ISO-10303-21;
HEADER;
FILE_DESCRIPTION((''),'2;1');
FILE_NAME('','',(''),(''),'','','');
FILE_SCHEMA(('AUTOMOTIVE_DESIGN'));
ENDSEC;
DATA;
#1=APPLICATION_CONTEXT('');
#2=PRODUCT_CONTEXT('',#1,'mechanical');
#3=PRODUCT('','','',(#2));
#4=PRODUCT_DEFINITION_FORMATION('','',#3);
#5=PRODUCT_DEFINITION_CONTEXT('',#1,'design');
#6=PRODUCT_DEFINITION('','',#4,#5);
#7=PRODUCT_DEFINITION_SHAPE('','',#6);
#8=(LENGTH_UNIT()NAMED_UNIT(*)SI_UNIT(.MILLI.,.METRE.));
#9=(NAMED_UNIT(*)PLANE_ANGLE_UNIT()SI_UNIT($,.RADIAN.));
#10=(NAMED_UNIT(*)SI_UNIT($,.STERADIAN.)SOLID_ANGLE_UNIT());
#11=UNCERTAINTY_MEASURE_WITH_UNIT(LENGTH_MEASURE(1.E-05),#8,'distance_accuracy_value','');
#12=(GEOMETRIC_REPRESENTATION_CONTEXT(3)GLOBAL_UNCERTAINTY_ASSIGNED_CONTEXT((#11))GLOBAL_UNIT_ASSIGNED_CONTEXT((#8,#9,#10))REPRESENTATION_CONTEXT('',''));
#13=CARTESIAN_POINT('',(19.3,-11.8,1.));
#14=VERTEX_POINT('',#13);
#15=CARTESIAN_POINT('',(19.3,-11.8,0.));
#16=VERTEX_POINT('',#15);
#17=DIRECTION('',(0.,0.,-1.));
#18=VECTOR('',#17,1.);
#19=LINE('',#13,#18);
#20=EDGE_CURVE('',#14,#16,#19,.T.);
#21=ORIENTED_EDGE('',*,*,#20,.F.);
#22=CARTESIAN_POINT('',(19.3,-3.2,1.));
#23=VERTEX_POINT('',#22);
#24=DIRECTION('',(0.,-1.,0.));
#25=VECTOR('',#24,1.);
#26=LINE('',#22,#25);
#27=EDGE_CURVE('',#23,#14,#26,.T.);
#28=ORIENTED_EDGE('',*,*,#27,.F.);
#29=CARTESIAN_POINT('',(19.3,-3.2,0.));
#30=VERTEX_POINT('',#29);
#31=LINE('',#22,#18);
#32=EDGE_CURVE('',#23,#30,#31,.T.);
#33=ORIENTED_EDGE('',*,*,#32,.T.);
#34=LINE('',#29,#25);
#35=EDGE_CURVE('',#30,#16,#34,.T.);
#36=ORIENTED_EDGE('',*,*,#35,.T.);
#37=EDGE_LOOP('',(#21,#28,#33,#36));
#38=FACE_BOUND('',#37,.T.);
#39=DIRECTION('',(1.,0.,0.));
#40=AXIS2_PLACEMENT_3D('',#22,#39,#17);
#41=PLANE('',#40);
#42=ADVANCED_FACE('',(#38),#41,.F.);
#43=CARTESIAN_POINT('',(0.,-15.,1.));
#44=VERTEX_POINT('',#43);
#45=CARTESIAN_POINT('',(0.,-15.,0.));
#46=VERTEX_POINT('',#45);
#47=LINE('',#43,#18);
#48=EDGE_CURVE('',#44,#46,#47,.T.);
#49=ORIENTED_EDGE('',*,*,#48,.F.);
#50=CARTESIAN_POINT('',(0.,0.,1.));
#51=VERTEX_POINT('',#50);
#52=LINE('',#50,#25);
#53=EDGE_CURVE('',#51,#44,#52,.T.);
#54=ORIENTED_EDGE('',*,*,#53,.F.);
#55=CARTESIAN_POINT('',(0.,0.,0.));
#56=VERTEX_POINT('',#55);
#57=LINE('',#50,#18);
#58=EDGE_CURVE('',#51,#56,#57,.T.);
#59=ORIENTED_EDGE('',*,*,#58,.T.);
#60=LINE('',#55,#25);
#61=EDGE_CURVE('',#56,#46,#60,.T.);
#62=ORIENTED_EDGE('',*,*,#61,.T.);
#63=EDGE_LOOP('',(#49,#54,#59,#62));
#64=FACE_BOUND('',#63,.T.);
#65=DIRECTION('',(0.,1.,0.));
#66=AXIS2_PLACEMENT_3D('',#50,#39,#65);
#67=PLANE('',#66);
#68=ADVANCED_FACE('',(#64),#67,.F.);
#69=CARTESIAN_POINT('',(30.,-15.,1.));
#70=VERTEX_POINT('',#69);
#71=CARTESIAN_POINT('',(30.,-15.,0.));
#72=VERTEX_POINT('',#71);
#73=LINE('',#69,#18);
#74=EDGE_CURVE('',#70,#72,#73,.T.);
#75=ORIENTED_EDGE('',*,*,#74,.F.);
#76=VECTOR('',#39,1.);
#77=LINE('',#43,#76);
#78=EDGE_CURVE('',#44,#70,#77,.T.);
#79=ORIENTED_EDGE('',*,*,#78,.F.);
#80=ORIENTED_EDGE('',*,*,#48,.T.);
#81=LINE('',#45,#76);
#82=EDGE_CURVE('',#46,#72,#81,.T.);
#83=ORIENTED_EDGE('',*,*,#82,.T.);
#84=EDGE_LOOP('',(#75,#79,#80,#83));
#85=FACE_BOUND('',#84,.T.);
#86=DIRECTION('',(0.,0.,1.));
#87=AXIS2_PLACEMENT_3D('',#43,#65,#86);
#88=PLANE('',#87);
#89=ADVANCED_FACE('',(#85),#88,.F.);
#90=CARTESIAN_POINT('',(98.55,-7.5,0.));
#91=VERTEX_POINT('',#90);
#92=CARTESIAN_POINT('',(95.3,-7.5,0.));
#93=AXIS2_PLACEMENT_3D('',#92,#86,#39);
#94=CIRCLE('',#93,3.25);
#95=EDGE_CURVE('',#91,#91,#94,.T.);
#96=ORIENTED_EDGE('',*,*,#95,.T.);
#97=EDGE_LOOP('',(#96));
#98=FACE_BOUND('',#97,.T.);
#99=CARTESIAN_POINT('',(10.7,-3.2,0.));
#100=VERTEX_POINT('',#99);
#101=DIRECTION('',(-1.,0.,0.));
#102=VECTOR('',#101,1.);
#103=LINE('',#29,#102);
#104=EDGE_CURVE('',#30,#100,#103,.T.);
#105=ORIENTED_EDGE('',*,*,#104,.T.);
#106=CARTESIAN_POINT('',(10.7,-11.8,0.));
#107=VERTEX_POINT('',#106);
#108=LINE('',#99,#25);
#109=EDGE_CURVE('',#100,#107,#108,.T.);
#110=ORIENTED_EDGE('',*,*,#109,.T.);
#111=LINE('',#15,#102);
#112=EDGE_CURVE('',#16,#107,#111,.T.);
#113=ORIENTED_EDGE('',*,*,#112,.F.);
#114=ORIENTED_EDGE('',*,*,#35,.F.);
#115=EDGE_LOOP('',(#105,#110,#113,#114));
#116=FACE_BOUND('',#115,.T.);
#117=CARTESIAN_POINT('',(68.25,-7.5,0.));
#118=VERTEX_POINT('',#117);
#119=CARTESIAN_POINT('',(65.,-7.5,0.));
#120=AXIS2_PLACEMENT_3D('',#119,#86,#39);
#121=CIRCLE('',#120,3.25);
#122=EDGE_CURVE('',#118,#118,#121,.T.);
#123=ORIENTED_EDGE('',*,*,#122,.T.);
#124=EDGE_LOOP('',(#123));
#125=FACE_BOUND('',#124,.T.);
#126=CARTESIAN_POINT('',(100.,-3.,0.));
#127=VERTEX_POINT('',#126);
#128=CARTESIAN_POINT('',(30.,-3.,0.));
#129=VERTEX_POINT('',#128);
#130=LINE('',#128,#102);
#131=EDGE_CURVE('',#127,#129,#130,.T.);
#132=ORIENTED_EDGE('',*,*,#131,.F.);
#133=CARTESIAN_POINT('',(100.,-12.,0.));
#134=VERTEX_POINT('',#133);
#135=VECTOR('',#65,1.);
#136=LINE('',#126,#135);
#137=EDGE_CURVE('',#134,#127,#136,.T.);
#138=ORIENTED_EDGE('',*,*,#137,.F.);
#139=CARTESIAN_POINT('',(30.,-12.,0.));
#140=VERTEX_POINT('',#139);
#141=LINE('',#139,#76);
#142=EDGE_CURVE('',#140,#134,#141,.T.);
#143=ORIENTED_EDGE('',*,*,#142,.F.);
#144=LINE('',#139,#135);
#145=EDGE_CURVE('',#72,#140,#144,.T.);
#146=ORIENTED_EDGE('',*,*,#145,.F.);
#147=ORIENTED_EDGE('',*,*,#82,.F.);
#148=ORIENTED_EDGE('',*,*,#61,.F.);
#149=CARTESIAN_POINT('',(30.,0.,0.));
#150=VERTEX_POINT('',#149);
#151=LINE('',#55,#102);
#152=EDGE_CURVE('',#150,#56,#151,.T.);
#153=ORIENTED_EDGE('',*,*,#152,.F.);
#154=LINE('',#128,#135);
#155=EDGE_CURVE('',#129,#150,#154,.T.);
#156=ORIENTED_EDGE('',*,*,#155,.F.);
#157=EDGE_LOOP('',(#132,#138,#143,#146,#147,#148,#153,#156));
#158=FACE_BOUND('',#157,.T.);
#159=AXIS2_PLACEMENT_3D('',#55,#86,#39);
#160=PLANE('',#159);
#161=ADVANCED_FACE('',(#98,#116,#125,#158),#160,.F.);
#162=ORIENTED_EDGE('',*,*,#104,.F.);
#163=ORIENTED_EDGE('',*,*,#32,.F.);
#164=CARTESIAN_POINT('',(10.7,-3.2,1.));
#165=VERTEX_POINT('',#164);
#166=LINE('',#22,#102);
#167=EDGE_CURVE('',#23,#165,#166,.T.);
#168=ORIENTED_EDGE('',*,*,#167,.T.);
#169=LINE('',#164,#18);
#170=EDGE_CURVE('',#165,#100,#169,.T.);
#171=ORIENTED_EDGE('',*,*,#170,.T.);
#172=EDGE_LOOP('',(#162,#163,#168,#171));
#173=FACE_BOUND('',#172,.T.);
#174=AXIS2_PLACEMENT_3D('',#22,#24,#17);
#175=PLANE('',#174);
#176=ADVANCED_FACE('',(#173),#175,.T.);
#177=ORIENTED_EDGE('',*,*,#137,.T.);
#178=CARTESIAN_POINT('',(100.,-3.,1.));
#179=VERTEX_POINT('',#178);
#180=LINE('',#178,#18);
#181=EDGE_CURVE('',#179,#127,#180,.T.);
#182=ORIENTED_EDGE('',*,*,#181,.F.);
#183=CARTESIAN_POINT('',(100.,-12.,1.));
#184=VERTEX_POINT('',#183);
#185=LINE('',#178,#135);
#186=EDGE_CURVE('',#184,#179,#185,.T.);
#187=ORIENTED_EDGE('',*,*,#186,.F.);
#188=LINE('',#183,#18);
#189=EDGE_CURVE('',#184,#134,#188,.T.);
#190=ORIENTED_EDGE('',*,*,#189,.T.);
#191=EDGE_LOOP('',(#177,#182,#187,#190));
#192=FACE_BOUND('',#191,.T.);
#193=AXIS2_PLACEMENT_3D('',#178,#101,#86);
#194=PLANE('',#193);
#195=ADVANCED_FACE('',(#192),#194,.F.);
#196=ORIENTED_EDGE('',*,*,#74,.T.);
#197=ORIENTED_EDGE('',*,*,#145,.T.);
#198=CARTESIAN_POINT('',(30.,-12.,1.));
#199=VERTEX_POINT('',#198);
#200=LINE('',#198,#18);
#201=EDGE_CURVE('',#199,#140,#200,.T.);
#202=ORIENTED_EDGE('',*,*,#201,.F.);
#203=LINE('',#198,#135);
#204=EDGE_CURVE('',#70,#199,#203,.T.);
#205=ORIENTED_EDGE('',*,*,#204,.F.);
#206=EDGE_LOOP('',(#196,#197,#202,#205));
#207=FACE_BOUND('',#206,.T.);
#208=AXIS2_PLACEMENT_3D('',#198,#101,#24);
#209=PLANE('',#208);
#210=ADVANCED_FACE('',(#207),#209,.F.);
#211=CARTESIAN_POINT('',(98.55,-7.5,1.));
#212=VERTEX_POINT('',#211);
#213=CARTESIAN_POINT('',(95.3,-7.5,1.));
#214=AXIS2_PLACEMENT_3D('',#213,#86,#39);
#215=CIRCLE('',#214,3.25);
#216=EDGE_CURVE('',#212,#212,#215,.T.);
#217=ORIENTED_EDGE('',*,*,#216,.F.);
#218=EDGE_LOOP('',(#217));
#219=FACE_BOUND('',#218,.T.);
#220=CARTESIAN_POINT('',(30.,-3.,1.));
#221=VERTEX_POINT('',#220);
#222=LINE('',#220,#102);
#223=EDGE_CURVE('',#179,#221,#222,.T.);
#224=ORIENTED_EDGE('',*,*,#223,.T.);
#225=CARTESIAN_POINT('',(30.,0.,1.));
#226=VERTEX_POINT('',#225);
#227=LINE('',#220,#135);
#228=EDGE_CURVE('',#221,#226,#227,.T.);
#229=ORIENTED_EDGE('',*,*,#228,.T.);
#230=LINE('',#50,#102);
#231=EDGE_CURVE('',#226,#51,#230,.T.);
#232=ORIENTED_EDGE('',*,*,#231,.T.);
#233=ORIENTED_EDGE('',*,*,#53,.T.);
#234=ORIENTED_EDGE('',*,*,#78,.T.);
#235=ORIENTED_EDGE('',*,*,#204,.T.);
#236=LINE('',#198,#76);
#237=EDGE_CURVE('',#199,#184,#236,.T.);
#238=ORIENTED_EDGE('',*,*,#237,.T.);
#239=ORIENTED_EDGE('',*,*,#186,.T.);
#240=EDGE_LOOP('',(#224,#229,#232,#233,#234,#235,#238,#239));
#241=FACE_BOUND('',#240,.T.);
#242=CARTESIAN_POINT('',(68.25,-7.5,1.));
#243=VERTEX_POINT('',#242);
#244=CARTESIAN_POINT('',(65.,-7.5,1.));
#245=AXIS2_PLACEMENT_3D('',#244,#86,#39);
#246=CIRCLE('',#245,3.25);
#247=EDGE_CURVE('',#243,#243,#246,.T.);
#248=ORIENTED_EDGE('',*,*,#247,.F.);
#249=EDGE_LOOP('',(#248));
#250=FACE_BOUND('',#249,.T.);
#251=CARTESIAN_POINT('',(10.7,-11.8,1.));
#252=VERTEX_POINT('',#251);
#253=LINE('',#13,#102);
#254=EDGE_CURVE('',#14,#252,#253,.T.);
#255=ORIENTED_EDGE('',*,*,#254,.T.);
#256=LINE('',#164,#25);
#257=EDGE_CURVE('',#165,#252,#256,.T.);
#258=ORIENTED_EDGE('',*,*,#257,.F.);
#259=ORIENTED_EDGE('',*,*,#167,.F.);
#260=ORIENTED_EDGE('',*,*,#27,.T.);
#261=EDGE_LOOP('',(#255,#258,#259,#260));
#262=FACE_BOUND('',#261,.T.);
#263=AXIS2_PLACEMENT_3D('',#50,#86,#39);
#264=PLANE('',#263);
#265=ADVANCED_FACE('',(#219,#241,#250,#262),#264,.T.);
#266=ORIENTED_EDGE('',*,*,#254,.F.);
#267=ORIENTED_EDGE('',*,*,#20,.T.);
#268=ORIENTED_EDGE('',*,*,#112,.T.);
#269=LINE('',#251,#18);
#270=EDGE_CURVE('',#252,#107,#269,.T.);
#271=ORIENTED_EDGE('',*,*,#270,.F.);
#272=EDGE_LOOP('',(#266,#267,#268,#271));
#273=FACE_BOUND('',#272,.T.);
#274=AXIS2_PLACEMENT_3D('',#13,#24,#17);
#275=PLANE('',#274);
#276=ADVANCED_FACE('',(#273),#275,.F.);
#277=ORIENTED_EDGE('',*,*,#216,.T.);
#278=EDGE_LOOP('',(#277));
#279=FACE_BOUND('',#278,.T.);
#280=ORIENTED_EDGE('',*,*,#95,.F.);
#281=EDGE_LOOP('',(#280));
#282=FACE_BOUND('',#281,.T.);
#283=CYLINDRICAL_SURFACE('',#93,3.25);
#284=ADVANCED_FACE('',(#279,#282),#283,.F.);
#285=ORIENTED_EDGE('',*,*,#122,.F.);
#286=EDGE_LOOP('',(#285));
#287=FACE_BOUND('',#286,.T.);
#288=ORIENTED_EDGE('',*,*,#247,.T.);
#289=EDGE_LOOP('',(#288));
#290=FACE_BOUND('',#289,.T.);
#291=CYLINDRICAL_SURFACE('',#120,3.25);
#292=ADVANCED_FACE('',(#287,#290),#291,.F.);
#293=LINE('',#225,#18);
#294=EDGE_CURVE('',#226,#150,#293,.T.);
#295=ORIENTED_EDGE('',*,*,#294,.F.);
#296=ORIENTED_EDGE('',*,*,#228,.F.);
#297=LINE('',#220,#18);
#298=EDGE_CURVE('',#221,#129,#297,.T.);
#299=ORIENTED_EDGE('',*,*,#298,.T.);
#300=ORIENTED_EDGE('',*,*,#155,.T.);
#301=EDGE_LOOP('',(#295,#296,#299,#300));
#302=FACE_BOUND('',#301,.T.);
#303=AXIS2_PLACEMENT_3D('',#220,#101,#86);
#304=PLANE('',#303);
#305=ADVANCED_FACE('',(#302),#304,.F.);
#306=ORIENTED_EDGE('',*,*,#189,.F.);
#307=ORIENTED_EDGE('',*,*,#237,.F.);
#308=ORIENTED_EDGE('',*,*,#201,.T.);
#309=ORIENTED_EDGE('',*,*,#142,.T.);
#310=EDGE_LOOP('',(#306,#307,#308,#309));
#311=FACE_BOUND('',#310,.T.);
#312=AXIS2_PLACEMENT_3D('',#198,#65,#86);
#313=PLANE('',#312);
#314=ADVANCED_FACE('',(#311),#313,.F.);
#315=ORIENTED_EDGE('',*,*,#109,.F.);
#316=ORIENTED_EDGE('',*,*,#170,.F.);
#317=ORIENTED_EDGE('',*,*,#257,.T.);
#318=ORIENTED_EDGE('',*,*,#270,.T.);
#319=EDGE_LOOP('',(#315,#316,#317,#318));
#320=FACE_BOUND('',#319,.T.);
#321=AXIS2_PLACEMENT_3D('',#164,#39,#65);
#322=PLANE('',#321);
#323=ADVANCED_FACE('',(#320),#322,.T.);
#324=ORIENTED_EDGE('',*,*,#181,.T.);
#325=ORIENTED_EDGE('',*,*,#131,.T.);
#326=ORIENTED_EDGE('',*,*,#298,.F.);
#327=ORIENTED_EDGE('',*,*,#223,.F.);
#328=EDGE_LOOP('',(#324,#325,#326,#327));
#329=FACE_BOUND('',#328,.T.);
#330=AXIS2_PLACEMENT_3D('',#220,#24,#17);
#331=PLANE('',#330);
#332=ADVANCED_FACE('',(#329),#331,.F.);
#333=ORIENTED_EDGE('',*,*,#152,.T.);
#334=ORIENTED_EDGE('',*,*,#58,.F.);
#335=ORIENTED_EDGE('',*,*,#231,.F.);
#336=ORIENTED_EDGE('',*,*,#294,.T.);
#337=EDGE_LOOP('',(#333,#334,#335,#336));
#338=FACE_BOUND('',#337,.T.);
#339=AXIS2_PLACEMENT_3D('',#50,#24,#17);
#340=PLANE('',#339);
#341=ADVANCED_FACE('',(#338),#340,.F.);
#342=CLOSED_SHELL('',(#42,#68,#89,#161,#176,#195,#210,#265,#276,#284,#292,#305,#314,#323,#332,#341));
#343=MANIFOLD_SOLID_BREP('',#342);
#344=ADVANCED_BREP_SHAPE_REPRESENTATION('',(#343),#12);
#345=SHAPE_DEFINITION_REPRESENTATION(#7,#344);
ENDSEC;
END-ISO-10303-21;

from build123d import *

# Parameters (mm, degrees)
BOSS_EXTRUDE1_DEPTH     = 1
SKETCH3_W               = 8.6
SKETCH3_H               = 8.6
CUT_EXTRUDE2_DEPTH      = 102.123686642
CUT_EXTRUDE3_DEPTH      = 102.123686642
CUT_EXTRUDE3_DEPTH_BACK = 102.123686642
SKETCH5_R               = 3.25


with BuildPart() as part:
    # Sketch1 → Boss-Extrude1 (new body)
    with BuildSketch(Plane.XY):
        Polygon((30, -3), (30, 0), (0, 0), (0, -15), (30, -15), (30, -12), (100, -12), (100, -3), align=None)
    extrude(amount=BOSS_EXTRUDE1_DEPTH)

    # Sketch3 → Cut-Extrude2 (cut, through all)
    with BuildSketch(Plane(origin=(0, 0, 0), x_dir=(-1, 0, 0), z_dir=(0, 0, -1))):
        with Locations((-15, -7.5)):
            Rectangle(SKETCH3_W, SKETCH3_H)
    extrude(amount=-CUT_EXTRUDE2_DEPTH, mode=Mode.SUBTRACT)

    # Sketch5 → Cut-Extrude3 (cut, two sides: drawn at the far end of the back side and taken through both)
    with BuildSketch(Plane.XY.offset(1).offset(-CUT_EXTRUDE3_DEPTH_BACK)):
        with Locations((65, -7.5)):
            Circle(SKETCH5_R)
        with Locations((95.3, -7.5)):
            Circle(SKETCH5_R)
    extrude(amount=CUT_EXTRUDE3_DEPTH + CUT_EXTRUDE3_DEPTH_BACK, mode=Mode.SUBTRACT)


solid = part.part
